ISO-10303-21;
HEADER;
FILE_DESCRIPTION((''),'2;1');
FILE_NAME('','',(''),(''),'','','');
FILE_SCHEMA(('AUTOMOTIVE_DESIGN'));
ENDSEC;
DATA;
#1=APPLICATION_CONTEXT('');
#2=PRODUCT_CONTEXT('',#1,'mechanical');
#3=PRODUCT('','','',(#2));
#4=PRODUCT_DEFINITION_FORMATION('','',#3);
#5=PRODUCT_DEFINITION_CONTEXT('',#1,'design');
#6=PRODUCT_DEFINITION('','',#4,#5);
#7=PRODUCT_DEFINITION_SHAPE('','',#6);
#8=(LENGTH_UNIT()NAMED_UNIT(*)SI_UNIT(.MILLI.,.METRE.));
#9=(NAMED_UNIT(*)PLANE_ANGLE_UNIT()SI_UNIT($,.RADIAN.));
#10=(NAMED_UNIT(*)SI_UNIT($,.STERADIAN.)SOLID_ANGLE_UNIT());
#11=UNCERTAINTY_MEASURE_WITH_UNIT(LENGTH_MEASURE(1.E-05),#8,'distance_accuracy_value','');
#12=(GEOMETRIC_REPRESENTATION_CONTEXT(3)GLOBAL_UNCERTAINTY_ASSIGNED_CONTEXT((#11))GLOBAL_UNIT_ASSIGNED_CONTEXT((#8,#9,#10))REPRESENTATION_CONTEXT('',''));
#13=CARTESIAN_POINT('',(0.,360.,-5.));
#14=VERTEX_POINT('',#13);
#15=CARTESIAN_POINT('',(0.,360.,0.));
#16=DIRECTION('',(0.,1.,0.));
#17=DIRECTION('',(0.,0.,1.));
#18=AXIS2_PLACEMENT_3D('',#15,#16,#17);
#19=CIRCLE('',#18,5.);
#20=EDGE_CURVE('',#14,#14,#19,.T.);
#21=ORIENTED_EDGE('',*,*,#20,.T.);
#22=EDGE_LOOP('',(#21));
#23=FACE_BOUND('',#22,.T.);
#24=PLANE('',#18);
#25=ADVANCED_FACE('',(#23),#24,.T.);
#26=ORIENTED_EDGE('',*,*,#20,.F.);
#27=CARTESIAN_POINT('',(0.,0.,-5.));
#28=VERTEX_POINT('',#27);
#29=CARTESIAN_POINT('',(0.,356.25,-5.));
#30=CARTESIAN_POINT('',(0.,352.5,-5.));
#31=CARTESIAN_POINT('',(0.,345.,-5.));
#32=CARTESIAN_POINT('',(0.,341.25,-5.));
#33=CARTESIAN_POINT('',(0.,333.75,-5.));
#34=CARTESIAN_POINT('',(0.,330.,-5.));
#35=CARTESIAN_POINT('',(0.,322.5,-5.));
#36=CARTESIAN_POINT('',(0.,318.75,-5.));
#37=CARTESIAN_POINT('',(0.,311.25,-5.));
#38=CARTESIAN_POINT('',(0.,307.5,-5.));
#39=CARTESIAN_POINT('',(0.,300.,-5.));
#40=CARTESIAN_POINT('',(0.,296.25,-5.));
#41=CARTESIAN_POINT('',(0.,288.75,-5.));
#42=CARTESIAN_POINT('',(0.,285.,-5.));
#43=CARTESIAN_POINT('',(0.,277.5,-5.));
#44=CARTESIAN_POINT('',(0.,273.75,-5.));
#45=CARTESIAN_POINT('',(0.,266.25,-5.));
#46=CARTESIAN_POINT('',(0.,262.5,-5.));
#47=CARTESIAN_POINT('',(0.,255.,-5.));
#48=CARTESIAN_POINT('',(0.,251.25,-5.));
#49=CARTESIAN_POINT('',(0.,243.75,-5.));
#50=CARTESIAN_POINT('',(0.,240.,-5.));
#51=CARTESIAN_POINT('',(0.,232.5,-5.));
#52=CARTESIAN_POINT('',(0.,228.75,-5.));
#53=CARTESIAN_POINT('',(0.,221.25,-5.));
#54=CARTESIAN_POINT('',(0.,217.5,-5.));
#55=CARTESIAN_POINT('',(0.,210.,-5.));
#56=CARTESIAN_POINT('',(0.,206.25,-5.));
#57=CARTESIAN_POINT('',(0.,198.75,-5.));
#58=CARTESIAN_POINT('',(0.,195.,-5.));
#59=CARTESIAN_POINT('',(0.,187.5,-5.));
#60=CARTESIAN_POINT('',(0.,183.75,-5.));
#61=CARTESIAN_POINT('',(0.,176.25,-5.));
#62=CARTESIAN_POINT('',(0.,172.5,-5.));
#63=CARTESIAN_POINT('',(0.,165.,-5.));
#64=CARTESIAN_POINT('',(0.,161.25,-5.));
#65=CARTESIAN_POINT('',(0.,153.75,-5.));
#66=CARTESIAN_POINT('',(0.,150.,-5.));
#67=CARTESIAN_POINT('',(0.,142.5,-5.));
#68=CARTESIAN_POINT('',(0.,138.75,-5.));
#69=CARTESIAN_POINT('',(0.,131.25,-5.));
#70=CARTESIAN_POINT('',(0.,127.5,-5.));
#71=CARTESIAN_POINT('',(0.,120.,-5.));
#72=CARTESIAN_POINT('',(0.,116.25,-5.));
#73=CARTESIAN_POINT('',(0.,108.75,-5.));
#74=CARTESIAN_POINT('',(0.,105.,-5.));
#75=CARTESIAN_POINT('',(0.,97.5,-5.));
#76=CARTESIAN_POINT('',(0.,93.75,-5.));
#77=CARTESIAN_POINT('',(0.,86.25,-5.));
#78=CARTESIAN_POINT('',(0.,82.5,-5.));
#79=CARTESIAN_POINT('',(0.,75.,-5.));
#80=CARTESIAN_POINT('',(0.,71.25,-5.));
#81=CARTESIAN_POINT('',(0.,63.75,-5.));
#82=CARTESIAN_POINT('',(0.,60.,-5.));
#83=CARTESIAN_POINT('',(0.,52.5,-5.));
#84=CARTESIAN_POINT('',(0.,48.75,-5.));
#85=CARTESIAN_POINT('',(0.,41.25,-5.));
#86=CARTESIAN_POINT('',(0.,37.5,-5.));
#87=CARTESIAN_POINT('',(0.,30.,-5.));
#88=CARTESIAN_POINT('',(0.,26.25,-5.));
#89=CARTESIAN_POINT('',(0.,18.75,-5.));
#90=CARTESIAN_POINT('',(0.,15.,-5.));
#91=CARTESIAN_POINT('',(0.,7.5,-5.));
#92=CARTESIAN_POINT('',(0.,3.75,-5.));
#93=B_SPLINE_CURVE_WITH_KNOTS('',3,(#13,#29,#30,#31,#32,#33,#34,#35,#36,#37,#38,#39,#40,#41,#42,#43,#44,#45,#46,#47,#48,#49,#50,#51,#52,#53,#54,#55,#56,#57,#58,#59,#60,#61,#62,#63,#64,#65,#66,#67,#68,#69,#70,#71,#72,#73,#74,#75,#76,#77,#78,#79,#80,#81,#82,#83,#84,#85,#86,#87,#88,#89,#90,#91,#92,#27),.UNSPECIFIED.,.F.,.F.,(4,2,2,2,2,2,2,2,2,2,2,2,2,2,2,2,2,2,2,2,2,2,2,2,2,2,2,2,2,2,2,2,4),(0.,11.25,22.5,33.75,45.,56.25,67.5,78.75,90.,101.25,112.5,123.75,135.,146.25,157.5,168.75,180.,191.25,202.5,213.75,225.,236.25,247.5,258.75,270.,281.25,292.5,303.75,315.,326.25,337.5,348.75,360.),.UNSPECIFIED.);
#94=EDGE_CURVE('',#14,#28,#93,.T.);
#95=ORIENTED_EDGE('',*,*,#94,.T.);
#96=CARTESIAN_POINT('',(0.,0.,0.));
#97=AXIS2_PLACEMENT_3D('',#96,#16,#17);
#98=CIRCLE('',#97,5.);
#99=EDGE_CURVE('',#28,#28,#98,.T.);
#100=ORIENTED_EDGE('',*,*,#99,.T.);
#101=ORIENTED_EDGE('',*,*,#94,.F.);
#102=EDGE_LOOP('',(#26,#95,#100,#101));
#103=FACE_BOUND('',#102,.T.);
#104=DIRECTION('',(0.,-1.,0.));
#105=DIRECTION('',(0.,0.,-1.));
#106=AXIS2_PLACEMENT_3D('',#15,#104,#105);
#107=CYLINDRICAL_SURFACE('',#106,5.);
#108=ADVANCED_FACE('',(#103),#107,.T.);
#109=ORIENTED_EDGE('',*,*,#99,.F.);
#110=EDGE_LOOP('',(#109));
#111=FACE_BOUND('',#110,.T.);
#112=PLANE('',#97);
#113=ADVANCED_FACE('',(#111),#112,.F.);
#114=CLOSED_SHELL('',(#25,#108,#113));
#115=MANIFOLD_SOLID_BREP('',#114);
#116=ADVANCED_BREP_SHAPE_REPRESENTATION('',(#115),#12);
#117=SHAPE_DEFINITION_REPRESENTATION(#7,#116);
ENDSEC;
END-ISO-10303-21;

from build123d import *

# Parameters (mm, degrees)
SKETCH_1_R      = 5
EXTRUDE_1_DEPTH = 360


with BuildPart() as part:
    # 스케치1 → 보스-돌출1 (new body)
    with BuildSketch(Plane(origin=(0, 0, 0), x_dir=(1, 0, 0), z_dir=(0, 1, 0))):
        with Locations(Location((0, 0, 0), (0, 0, 90))):
            Circle(SKETCH_1_R)
    extrude(amount=EXTRUDE_1_DEPTH)


solid = part.part
